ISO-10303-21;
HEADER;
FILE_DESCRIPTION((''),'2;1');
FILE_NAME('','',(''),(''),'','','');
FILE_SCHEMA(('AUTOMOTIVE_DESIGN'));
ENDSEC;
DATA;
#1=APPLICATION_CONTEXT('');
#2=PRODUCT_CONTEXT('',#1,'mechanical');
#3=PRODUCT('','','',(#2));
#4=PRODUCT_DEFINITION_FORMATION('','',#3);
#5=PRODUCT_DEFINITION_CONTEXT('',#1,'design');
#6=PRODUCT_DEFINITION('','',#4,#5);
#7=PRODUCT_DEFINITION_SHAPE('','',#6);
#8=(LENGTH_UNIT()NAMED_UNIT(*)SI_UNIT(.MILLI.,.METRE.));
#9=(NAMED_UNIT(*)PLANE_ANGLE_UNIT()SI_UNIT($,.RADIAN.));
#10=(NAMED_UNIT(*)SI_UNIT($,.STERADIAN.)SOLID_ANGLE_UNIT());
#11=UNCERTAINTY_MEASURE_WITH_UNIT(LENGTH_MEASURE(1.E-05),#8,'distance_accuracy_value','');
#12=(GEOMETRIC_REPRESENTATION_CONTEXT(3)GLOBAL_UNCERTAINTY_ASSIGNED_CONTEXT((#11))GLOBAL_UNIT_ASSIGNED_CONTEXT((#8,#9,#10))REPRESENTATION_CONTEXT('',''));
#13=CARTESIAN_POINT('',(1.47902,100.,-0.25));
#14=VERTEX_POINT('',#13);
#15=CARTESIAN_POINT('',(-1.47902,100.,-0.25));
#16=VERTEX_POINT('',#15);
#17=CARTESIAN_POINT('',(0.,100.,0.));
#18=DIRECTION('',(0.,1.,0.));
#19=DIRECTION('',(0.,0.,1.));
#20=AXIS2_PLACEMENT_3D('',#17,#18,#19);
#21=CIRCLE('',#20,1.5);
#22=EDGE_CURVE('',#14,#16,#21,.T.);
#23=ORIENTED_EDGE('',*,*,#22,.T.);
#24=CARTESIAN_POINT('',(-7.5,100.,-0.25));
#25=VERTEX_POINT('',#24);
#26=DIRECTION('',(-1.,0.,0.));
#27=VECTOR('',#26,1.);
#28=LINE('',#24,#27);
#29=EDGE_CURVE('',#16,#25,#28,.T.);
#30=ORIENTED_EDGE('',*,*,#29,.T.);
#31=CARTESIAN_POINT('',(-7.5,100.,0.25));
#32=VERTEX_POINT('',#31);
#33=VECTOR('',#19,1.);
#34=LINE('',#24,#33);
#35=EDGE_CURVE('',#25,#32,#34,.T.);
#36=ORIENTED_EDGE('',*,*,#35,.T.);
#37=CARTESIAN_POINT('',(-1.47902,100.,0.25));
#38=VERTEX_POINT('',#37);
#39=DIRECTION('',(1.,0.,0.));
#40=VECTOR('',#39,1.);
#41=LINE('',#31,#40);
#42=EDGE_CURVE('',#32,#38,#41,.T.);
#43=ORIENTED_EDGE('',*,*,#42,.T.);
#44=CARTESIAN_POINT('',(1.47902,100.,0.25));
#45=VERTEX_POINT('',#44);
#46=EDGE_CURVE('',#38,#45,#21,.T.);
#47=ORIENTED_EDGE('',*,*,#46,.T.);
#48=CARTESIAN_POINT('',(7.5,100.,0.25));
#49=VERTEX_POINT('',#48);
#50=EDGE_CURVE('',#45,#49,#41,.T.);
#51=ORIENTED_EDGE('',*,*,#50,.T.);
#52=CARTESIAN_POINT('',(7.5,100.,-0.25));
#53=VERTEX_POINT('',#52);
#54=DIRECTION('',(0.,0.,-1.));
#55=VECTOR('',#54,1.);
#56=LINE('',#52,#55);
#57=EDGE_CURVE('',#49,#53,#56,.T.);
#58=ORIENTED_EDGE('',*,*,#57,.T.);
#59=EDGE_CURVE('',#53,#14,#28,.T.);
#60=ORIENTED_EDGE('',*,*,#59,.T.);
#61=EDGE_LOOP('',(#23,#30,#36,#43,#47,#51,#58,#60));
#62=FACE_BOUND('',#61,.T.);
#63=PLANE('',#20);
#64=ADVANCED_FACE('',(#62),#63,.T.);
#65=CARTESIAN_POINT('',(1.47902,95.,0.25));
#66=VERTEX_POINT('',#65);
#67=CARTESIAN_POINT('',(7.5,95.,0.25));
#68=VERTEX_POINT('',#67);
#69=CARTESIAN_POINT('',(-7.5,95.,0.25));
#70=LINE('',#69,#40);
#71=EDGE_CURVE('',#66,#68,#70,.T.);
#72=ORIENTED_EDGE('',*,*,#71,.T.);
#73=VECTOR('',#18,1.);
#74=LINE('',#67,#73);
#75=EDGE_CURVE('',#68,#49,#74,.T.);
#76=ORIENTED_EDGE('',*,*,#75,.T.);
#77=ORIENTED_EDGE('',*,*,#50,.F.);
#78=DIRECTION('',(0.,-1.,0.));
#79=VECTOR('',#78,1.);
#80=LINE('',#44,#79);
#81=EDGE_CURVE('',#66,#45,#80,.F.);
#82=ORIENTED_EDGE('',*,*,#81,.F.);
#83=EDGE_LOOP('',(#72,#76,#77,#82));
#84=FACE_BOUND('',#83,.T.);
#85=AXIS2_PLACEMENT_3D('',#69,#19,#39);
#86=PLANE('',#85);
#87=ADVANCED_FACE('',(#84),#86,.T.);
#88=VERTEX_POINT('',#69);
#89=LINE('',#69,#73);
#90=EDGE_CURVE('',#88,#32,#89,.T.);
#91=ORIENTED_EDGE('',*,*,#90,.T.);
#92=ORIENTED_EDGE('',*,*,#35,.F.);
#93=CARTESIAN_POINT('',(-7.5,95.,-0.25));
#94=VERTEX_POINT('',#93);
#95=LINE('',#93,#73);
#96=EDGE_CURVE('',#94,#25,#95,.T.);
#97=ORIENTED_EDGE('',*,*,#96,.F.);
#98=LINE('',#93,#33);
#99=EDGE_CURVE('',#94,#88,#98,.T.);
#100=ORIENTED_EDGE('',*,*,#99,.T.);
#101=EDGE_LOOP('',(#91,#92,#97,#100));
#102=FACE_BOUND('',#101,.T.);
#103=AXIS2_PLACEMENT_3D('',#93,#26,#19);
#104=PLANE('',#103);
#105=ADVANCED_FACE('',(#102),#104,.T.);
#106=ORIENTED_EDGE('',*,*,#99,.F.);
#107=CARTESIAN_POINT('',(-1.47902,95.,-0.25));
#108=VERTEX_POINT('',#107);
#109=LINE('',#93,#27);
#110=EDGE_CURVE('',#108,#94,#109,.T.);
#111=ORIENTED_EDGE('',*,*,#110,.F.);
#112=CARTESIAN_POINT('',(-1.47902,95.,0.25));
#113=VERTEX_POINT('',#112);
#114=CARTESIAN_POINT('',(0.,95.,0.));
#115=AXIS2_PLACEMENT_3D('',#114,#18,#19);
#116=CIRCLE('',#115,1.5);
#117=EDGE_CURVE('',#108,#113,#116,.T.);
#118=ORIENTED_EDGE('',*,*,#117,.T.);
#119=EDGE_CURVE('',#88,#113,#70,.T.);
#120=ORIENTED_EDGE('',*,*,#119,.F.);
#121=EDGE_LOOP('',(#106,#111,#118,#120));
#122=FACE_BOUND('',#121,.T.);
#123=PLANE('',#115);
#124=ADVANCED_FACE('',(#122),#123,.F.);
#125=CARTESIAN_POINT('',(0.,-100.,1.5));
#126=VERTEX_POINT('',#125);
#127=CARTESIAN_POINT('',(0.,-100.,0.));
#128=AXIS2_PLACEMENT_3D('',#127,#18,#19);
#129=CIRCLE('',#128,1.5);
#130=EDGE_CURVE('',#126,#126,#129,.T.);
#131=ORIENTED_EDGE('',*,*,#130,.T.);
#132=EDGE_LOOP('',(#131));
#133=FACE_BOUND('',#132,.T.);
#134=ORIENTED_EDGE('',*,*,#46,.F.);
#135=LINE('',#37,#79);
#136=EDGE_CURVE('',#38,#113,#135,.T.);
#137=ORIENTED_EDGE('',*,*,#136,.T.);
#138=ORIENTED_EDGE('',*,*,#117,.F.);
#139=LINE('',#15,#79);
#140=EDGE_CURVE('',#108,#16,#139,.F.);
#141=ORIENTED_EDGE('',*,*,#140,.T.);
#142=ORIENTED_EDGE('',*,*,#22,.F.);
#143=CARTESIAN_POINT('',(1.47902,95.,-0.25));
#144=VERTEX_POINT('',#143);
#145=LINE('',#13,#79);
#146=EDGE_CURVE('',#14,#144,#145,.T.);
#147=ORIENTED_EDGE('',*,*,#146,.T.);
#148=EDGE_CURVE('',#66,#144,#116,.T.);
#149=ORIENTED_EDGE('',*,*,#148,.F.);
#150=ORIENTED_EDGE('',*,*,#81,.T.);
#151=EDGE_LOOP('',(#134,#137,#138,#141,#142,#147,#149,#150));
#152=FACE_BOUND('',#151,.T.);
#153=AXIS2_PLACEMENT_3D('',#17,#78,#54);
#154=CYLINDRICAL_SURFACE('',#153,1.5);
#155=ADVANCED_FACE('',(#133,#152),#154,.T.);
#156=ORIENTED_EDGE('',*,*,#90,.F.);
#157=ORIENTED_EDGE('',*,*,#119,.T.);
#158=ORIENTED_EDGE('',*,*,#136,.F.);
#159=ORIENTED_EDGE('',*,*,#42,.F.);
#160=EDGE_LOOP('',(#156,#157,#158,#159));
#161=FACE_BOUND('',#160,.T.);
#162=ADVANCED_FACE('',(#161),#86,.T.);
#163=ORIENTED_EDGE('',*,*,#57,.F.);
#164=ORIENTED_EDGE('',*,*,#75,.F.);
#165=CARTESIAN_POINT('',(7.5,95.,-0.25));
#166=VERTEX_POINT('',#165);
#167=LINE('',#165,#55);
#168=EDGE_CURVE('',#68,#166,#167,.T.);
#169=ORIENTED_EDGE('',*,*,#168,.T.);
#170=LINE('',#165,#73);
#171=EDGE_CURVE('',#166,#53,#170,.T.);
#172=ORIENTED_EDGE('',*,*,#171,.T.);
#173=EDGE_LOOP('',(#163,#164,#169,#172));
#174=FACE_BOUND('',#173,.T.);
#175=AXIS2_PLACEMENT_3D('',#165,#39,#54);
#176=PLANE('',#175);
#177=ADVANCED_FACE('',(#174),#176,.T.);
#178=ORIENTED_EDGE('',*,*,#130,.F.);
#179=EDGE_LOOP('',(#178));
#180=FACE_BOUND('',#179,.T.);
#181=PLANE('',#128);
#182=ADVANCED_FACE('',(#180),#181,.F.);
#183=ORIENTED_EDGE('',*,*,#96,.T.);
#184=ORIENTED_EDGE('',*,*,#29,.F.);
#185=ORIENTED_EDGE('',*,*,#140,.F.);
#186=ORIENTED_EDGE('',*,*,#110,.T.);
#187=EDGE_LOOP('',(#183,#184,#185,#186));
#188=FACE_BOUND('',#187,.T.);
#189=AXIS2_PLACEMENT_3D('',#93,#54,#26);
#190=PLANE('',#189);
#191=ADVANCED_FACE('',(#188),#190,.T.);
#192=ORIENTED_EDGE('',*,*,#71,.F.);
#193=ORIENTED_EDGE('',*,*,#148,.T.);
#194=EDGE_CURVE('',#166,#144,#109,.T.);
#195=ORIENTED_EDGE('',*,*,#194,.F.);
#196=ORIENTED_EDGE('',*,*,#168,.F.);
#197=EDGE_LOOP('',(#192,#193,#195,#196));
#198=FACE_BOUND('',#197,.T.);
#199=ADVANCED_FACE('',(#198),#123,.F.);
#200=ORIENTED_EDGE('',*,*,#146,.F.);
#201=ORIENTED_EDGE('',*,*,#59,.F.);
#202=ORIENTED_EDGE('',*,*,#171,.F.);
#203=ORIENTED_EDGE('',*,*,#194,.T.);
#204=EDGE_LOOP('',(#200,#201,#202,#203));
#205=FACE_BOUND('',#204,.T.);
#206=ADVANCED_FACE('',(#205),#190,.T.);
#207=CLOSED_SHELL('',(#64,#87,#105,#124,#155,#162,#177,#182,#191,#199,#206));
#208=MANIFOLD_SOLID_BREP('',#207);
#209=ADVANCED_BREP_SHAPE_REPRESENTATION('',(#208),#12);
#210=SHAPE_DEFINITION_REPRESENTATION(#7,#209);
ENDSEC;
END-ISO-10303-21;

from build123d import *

# Parameters (mm, degrees)
SKETCH1_R           = 1.5
BOSS_EXTRUDE1_DEPTH = 100
SKETCH2_W           = 15
SKETCH2_H           = 0.5
BOSS_EXTRUDE2_DEPTH = 5


with BuildPart() as part:
    # Sketch1 → Boss-Extrude1 (new body, symmetric)
    with BuildSketch(Plane(origin=(0, 0, 0), x_dir=(1, 0, 0), z_dir=(0, 1, 0))):
        Circle(SKETCH1_R)
    extrude(amount=BOSS_EXTRUDE1_DEPTH, both=True)

    # Sketch2 → Boss-Extrude2 (add)
    with BuildSketch(Plane(origin=(0, 100, 0), x_dir=(1, 0, 0), z_dir=(0, 1, 0))):
        Rectangle(SKETCH2_W, SKETCH2_H)
    extrude(amount=-BOSS_EXTRUDE2_DEPTH)


solid = part.part
